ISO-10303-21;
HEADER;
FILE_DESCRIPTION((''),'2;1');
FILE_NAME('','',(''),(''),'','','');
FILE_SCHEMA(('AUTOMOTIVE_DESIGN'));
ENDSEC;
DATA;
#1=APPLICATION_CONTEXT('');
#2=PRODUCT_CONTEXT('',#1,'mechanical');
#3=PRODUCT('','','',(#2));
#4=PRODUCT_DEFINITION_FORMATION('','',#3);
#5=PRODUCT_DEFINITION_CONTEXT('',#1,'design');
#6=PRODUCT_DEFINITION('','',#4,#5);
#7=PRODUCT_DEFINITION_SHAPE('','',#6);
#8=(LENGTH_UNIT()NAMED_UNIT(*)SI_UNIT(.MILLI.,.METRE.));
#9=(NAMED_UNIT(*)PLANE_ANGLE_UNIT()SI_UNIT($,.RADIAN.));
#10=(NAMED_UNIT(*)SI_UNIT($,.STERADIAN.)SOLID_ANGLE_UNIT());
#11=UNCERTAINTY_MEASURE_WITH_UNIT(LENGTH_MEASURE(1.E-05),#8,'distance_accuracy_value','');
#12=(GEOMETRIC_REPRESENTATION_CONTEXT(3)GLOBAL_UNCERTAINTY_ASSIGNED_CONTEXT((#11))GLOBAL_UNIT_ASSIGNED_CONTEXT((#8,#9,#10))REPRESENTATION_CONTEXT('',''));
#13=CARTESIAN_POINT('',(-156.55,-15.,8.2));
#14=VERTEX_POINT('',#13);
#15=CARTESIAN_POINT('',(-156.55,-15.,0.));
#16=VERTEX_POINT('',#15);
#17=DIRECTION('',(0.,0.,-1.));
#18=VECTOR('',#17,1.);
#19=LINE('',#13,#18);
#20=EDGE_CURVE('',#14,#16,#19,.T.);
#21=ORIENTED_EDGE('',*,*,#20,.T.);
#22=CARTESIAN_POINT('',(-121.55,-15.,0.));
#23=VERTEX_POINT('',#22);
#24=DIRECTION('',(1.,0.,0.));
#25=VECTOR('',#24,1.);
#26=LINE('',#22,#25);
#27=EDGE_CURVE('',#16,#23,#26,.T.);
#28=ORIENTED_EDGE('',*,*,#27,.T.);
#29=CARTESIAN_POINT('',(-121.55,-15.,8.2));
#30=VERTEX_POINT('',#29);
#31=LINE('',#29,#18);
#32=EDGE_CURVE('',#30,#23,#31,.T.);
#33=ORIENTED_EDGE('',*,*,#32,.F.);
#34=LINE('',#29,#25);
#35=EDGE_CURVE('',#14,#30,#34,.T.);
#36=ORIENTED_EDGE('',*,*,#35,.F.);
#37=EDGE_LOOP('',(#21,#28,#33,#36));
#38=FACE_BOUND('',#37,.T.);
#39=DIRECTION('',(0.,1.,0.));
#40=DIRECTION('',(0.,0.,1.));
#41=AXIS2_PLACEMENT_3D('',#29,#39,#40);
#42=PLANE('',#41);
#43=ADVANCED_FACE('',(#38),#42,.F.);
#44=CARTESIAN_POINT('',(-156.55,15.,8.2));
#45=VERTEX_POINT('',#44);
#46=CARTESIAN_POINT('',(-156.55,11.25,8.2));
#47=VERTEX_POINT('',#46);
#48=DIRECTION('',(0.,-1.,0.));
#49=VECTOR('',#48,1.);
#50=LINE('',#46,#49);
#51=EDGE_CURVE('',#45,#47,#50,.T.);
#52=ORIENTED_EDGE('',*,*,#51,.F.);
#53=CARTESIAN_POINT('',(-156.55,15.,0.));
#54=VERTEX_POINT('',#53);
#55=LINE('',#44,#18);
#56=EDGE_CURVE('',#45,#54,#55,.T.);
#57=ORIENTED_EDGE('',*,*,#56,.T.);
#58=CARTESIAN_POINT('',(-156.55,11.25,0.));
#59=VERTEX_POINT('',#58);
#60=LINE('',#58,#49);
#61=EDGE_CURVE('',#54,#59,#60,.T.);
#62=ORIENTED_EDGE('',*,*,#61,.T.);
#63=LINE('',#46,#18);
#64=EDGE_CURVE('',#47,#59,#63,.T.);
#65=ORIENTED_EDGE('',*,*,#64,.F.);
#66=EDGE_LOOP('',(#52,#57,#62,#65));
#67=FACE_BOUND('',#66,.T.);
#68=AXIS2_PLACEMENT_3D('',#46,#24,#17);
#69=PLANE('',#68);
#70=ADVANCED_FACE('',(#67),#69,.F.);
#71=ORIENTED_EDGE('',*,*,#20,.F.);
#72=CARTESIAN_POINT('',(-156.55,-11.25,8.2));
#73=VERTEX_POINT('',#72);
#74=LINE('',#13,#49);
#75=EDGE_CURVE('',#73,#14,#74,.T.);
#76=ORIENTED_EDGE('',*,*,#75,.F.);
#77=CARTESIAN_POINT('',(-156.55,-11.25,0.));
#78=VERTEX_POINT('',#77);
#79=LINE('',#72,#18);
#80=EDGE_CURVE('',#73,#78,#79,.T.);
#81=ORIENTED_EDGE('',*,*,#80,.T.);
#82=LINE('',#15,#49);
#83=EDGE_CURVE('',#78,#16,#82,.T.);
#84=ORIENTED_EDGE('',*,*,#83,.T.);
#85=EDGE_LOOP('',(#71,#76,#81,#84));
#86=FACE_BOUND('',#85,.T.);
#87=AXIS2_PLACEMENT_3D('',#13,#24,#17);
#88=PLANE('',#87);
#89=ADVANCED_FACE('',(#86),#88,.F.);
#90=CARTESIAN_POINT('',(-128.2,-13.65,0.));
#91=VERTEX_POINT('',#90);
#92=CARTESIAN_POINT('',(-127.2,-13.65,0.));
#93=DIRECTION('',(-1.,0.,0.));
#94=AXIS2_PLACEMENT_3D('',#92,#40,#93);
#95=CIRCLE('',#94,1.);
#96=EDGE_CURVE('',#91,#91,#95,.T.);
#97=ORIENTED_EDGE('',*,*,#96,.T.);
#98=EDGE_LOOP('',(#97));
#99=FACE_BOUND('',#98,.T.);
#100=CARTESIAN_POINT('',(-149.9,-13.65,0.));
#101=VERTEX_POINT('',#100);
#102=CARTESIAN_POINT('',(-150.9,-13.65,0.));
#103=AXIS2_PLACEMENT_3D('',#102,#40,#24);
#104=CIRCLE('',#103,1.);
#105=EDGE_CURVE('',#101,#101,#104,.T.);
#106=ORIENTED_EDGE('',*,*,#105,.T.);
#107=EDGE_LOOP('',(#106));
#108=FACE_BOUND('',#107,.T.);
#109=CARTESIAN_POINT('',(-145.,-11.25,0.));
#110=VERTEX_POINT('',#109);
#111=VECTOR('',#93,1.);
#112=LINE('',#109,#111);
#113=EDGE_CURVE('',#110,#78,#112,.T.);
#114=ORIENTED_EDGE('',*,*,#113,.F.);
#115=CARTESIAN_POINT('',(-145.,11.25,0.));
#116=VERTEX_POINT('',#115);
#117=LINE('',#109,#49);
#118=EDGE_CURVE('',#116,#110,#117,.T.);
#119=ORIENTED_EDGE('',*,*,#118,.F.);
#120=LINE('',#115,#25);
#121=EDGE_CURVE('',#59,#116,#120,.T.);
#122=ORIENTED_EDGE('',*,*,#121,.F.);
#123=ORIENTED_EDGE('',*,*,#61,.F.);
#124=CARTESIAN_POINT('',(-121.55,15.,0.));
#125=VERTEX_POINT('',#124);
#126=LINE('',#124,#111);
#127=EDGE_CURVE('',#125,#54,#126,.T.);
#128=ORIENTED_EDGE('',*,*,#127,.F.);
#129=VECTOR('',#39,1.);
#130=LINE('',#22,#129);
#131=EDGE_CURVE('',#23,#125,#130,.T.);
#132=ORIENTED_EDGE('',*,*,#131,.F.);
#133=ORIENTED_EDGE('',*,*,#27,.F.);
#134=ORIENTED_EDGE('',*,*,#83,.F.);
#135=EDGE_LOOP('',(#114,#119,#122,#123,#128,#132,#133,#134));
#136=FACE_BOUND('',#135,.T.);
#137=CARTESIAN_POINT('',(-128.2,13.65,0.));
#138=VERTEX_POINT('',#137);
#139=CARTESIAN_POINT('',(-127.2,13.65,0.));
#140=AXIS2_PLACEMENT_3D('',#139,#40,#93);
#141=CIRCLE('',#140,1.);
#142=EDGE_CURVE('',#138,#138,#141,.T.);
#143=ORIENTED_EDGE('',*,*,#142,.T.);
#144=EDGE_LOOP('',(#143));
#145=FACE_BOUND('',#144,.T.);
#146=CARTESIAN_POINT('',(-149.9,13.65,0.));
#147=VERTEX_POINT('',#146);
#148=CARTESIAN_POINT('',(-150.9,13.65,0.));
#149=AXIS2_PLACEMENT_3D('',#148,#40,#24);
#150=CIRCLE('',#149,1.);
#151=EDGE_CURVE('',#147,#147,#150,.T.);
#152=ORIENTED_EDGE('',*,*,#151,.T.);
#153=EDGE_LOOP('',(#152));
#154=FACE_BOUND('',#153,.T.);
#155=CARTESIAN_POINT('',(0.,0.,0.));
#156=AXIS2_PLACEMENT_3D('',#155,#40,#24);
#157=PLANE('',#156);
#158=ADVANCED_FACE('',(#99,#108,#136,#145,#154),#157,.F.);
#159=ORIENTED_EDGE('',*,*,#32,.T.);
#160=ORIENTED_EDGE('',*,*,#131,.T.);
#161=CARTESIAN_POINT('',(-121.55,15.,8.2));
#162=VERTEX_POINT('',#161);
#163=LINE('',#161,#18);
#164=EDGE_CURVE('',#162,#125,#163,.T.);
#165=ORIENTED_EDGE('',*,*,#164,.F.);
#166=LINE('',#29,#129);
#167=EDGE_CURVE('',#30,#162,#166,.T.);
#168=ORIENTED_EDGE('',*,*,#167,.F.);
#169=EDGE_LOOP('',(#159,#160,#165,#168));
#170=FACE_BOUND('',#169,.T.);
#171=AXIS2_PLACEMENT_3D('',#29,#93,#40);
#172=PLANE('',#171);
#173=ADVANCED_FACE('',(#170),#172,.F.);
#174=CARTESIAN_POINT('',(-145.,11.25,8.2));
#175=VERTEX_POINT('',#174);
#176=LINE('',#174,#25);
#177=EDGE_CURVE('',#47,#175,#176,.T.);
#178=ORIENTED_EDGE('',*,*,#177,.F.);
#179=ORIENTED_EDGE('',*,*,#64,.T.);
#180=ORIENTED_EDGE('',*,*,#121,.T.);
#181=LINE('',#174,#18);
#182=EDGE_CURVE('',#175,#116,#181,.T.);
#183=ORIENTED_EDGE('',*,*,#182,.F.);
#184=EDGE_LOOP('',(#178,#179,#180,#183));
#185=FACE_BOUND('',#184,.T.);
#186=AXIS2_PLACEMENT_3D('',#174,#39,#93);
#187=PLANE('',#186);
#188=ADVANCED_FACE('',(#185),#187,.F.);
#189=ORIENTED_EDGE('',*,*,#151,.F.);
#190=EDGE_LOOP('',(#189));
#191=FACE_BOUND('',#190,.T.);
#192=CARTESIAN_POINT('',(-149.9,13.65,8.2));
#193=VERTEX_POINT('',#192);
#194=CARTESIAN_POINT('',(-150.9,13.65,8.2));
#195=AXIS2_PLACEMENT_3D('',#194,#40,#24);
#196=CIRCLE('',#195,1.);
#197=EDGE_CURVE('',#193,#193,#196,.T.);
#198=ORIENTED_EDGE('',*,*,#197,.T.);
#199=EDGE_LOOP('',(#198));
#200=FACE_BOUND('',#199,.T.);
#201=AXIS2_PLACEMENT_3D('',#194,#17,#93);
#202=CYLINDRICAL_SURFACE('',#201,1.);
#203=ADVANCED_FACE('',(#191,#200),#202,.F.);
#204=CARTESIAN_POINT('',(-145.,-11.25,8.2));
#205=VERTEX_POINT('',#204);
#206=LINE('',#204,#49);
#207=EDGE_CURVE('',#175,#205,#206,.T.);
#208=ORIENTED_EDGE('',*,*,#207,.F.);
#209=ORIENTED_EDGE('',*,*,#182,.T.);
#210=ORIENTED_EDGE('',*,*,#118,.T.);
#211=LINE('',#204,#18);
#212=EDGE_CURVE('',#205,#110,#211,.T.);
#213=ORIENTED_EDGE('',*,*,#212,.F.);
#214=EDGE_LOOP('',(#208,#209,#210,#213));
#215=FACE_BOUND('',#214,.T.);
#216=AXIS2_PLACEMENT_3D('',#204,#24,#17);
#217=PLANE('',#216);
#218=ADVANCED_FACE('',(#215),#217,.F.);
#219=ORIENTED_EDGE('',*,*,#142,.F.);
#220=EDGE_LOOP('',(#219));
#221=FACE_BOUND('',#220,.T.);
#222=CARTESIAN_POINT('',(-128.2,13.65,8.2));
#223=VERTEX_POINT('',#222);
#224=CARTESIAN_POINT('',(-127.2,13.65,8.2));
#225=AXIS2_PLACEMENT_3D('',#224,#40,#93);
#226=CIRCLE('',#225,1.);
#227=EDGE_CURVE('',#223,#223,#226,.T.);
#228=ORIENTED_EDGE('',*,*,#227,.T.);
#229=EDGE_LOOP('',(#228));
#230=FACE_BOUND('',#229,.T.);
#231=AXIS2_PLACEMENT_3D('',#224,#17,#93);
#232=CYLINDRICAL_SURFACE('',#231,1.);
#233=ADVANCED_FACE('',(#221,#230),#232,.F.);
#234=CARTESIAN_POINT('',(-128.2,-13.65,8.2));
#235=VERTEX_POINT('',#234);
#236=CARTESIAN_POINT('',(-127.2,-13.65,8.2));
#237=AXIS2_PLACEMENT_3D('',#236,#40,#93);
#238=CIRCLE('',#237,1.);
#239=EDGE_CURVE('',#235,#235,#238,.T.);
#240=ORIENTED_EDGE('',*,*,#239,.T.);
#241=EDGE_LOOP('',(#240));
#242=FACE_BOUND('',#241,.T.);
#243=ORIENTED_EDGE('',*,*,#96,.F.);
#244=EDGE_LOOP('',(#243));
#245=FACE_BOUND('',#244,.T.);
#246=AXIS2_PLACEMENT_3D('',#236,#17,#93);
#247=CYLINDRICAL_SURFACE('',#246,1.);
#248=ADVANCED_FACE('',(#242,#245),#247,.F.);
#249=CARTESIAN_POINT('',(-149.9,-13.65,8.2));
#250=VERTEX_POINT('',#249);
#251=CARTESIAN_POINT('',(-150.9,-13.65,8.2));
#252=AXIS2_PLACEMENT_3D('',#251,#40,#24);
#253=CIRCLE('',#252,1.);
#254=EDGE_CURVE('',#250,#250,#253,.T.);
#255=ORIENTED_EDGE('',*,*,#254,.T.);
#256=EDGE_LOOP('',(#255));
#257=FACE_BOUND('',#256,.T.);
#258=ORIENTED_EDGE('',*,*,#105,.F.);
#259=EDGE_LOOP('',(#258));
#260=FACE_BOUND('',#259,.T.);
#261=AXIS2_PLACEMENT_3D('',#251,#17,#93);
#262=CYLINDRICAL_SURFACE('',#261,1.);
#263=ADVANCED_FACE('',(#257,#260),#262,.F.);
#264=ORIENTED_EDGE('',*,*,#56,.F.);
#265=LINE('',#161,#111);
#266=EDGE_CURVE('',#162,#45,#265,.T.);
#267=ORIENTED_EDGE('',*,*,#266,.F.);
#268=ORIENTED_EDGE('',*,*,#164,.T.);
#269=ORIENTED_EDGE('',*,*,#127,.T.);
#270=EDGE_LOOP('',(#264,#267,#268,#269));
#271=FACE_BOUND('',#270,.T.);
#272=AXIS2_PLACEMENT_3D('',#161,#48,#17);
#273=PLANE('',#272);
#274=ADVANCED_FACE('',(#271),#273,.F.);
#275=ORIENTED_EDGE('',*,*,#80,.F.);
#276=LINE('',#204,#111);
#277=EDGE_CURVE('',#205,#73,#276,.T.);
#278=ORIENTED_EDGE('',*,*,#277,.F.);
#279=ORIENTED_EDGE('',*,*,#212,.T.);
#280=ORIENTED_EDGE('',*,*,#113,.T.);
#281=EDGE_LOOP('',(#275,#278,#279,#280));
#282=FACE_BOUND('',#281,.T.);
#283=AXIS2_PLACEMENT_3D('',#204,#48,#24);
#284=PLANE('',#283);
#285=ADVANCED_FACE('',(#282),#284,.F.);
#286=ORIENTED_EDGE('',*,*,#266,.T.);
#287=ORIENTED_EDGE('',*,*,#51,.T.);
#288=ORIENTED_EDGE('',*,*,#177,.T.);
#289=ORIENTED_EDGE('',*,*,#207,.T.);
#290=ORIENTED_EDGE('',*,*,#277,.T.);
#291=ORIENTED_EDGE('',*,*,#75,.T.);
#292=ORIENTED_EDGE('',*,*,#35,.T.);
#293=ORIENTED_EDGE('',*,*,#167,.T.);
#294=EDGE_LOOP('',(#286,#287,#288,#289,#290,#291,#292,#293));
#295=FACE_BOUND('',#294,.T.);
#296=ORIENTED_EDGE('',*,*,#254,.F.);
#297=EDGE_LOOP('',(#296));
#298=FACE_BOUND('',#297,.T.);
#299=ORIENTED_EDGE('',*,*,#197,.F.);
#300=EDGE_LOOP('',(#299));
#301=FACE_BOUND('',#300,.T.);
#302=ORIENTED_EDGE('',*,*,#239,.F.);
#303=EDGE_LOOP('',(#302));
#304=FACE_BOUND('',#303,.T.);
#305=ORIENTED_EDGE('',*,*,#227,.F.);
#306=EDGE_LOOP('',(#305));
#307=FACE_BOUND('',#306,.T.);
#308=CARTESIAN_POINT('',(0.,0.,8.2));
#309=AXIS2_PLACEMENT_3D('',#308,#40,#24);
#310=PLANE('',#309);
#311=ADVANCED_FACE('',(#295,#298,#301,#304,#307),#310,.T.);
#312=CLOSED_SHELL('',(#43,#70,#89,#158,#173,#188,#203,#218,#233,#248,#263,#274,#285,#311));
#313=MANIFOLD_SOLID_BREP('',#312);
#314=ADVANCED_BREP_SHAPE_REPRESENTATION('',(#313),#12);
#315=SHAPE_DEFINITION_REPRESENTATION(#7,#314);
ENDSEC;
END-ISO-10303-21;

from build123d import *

# Parameters (mm, degrees)
SKETCH3_R           = 1
BOSS_EXTRUDE1_DEPTH = 8.2


with BuildPart() as part:
    # Sketch3 → Boss-Extrude1 (new body)
    with BuildSketch(Plane.XY):
        Polygon((-121.55, -15), (-156.55, -15), (-156.55, -11.25), (-145, -11.25), (-145, 11.25), (-156.55, 11.25), (-156.55, 15), (-121.55, 15), align=None)
        with Locations((-150.9, 13.65)):
            Circle(SKETCH3_R, mode=Mode.SUBTRACT)
        with Locations((-150.9, -13.65)):
            Circle(SKETCH3_R, mode=Mode.SUBTRACT)
        with Locations((-127.2, 13.65)):
            Circle(SKETCH3_R, mode=Mode.SUBTRACT)
        with Locations((-127.2, -13.65)):
            Circle(SKETCH3_R, mode=Mode.SUBTRACT)
    extrude(amount=BOSS_EXTRUDE1_DEPTH)


solid = part.part
